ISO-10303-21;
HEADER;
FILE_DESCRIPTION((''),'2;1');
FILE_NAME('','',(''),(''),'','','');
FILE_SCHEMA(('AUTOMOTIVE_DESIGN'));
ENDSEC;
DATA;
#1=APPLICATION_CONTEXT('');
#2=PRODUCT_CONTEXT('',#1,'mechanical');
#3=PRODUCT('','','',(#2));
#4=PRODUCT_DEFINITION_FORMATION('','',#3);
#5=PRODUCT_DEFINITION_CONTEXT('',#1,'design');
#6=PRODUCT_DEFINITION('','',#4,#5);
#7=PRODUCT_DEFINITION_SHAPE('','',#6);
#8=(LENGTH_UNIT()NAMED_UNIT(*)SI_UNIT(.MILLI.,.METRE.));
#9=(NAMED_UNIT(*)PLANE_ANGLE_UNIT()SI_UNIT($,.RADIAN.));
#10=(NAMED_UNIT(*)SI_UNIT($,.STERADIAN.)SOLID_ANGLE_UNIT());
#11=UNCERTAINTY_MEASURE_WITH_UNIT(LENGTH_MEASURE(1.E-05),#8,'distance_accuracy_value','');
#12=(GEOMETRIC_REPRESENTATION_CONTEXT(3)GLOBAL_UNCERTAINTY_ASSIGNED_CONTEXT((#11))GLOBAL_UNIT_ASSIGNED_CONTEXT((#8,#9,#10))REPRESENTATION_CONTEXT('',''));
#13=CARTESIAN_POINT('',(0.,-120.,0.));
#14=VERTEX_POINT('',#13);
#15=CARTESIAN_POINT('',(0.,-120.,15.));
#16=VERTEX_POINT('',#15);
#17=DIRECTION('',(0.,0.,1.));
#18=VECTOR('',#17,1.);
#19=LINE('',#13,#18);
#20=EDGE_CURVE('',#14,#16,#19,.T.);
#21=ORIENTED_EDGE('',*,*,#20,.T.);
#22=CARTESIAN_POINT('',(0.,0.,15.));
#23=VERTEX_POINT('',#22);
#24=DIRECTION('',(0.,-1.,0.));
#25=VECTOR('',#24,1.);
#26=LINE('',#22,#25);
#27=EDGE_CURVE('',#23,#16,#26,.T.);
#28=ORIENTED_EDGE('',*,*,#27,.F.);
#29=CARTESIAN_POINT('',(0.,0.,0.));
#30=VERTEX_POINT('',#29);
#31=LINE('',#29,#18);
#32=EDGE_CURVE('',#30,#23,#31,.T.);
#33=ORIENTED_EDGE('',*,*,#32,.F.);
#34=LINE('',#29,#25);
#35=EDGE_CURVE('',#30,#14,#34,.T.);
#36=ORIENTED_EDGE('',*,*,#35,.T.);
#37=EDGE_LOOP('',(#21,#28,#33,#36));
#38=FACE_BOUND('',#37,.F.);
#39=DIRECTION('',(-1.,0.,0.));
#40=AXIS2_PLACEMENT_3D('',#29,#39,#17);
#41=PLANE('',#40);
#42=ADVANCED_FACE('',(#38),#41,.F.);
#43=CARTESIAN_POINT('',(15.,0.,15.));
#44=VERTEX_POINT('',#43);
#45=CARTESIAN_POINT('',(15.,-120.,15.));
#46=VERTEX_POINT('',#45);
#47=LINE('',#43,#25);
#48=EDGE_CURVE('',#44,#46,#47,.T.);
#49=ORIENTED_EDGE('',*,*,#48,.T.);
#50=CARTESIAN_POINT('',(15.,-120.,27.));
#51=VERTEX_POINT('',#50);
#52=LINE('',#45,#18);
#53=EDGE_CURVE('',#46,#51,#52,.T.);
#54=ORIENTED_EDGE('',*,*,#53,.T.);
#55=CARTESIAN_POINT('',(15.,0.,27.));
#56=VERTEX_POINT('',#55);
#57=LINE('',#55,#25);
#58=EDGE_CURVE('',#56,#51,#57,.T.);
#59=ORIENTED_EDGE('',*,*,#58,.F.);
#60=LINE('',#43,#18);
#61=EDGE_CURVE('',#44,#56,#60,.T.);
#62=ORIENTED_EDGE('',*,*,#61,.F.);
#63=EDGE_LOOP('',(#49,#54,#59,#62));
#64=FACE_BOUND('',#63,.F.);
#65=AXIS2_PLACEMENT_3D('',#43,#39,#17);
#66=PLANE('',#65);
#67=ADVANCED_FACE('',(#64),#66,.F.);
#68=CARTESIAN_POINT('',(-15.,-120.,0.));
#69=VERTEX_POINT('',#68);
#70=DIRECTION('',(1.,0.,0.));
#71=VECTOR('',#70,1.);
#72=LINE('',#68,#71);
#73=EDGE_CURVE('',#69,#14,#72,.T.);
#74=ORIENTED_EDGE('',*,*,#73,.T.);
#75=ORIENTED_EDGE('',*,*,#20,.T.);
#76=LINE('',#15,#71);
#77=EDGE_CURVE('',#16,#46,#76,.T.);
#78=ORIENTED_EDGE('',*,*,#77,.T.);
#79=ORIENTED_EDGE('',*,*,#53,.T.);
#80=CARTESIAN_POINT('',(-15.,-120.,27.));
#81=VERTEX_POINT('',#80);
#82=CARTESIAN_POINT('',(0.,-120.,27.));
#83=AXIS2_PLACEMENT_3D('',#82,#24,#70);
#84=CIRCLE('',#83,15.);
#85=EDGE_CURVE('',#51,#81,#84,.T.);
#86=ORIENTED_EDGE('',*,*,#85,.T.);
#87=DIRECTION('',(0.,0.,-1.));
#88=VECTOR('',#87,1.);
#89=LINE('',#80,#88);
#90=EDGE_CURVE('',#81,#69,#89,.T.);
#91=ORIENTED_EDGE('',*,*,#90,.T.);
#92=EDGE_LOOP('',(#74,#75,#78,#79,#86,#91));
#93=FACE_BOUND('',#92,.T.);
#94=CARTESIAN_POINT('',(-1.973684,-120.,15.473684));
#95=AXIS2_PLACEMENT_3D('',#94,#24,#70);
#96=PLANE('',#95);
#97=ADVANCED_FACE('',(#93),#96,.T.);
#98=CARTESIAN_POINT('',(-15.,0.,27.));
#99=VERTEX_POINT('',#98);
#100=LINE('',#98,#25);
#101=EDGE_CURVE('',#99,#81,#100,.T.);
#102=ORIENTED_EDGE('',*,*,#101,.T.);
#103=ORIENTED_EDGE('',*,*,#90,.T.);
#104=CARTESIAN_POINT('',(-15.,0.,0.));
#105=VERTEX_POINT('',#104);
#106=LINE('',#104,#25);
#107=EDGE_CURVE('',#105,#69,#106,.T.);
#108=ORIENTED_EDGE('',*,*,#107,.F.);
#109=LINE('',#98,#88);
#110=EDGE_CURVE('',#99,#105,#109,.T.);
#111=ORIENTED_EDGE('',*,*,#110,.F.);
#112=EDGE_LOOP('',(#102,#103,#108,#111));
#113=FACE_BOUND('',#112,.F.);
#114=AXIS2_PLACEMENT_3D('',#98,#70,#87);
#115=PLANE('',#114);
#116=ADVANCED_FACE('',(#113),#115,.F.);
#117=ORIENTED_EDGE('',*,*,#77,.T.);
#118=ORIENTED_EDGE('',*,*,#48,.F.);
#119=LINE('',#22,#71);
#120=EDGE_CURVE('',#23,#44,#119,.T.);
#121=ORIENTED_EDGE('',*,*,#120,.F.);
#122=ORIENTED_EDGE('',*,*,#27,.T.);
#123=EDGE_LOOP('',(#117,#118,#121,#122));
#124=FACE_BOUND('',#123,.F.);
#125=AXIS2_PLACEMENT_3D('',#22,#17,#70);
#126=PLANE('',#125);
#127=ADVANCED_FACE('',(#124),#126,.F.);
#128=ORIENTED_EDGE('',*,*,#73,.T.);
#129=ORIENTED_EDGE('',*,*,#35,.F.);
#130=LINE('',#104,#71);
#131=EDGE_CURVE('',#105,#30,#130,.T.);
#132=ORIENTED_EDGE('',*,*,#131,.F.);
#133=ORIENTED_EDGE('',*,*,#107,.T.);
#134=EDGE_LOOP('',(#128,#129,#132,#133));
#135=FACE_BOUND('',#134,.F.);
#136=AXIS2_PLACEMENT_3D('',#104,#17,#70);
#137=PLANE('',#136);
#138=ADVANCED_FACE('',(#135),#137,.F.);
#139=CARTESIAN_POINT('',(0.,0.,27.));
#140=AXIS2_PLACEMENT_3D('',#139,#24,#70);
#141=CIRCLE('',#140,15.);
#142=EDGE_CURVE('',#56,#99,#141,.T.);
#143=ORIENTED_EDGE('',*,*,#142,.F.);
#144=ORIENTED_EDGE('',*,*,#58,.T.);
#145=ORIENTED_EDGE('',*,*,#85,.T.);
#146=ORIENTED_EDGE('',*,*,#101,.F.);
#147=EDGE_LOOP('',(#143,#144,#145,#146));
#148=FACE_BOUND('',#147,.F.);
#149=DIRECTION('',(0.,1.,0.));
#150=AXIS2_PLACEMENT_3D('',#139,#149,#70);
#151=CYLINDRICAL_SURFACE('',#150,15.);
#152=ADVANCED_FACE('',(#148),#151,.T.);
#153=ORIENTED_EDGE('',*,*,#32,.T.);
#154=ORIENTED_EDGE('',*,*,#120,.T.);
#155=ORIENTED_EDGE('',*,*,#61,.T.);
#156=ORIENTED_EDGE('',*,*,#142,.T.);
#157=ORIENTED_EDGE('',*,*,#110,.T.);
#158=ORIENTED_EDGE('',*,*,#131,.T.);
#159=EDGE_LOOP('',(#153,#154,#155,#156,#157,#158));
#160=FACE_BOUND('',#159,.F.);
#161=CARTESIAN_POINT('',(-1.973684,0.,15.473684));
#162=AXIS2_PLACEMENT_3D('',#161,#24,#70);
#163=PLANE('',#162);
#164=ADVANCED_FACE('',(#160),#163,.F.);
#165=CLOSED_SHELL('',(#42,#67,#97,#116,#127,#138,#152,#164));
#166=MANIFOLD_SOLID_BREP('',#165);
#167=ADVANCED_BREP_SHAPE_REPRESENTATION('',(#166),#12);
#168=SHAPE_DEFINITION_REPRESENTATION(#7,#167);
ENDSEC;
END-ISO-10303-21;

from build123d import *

# Parameters (mm, degrees)
F1_DEPTH = 120


with BuildPart() as f1:
    # F0 (on Front) → F1 (new body)
    with BuildSketch(Plane.XZ):
        Polygon((-15, 0), (0, 0), (0, 15), (15, 15), (15, 27), (-15, 27), align=None)
        with BuildLine():
            ThreePointArc((15, 27), (0, 42), (-15, 27))
            Line((-15, 27), (15, 27))
        make_face()
    extrude(amount=F1_DEPTH)


solid = f1.part
